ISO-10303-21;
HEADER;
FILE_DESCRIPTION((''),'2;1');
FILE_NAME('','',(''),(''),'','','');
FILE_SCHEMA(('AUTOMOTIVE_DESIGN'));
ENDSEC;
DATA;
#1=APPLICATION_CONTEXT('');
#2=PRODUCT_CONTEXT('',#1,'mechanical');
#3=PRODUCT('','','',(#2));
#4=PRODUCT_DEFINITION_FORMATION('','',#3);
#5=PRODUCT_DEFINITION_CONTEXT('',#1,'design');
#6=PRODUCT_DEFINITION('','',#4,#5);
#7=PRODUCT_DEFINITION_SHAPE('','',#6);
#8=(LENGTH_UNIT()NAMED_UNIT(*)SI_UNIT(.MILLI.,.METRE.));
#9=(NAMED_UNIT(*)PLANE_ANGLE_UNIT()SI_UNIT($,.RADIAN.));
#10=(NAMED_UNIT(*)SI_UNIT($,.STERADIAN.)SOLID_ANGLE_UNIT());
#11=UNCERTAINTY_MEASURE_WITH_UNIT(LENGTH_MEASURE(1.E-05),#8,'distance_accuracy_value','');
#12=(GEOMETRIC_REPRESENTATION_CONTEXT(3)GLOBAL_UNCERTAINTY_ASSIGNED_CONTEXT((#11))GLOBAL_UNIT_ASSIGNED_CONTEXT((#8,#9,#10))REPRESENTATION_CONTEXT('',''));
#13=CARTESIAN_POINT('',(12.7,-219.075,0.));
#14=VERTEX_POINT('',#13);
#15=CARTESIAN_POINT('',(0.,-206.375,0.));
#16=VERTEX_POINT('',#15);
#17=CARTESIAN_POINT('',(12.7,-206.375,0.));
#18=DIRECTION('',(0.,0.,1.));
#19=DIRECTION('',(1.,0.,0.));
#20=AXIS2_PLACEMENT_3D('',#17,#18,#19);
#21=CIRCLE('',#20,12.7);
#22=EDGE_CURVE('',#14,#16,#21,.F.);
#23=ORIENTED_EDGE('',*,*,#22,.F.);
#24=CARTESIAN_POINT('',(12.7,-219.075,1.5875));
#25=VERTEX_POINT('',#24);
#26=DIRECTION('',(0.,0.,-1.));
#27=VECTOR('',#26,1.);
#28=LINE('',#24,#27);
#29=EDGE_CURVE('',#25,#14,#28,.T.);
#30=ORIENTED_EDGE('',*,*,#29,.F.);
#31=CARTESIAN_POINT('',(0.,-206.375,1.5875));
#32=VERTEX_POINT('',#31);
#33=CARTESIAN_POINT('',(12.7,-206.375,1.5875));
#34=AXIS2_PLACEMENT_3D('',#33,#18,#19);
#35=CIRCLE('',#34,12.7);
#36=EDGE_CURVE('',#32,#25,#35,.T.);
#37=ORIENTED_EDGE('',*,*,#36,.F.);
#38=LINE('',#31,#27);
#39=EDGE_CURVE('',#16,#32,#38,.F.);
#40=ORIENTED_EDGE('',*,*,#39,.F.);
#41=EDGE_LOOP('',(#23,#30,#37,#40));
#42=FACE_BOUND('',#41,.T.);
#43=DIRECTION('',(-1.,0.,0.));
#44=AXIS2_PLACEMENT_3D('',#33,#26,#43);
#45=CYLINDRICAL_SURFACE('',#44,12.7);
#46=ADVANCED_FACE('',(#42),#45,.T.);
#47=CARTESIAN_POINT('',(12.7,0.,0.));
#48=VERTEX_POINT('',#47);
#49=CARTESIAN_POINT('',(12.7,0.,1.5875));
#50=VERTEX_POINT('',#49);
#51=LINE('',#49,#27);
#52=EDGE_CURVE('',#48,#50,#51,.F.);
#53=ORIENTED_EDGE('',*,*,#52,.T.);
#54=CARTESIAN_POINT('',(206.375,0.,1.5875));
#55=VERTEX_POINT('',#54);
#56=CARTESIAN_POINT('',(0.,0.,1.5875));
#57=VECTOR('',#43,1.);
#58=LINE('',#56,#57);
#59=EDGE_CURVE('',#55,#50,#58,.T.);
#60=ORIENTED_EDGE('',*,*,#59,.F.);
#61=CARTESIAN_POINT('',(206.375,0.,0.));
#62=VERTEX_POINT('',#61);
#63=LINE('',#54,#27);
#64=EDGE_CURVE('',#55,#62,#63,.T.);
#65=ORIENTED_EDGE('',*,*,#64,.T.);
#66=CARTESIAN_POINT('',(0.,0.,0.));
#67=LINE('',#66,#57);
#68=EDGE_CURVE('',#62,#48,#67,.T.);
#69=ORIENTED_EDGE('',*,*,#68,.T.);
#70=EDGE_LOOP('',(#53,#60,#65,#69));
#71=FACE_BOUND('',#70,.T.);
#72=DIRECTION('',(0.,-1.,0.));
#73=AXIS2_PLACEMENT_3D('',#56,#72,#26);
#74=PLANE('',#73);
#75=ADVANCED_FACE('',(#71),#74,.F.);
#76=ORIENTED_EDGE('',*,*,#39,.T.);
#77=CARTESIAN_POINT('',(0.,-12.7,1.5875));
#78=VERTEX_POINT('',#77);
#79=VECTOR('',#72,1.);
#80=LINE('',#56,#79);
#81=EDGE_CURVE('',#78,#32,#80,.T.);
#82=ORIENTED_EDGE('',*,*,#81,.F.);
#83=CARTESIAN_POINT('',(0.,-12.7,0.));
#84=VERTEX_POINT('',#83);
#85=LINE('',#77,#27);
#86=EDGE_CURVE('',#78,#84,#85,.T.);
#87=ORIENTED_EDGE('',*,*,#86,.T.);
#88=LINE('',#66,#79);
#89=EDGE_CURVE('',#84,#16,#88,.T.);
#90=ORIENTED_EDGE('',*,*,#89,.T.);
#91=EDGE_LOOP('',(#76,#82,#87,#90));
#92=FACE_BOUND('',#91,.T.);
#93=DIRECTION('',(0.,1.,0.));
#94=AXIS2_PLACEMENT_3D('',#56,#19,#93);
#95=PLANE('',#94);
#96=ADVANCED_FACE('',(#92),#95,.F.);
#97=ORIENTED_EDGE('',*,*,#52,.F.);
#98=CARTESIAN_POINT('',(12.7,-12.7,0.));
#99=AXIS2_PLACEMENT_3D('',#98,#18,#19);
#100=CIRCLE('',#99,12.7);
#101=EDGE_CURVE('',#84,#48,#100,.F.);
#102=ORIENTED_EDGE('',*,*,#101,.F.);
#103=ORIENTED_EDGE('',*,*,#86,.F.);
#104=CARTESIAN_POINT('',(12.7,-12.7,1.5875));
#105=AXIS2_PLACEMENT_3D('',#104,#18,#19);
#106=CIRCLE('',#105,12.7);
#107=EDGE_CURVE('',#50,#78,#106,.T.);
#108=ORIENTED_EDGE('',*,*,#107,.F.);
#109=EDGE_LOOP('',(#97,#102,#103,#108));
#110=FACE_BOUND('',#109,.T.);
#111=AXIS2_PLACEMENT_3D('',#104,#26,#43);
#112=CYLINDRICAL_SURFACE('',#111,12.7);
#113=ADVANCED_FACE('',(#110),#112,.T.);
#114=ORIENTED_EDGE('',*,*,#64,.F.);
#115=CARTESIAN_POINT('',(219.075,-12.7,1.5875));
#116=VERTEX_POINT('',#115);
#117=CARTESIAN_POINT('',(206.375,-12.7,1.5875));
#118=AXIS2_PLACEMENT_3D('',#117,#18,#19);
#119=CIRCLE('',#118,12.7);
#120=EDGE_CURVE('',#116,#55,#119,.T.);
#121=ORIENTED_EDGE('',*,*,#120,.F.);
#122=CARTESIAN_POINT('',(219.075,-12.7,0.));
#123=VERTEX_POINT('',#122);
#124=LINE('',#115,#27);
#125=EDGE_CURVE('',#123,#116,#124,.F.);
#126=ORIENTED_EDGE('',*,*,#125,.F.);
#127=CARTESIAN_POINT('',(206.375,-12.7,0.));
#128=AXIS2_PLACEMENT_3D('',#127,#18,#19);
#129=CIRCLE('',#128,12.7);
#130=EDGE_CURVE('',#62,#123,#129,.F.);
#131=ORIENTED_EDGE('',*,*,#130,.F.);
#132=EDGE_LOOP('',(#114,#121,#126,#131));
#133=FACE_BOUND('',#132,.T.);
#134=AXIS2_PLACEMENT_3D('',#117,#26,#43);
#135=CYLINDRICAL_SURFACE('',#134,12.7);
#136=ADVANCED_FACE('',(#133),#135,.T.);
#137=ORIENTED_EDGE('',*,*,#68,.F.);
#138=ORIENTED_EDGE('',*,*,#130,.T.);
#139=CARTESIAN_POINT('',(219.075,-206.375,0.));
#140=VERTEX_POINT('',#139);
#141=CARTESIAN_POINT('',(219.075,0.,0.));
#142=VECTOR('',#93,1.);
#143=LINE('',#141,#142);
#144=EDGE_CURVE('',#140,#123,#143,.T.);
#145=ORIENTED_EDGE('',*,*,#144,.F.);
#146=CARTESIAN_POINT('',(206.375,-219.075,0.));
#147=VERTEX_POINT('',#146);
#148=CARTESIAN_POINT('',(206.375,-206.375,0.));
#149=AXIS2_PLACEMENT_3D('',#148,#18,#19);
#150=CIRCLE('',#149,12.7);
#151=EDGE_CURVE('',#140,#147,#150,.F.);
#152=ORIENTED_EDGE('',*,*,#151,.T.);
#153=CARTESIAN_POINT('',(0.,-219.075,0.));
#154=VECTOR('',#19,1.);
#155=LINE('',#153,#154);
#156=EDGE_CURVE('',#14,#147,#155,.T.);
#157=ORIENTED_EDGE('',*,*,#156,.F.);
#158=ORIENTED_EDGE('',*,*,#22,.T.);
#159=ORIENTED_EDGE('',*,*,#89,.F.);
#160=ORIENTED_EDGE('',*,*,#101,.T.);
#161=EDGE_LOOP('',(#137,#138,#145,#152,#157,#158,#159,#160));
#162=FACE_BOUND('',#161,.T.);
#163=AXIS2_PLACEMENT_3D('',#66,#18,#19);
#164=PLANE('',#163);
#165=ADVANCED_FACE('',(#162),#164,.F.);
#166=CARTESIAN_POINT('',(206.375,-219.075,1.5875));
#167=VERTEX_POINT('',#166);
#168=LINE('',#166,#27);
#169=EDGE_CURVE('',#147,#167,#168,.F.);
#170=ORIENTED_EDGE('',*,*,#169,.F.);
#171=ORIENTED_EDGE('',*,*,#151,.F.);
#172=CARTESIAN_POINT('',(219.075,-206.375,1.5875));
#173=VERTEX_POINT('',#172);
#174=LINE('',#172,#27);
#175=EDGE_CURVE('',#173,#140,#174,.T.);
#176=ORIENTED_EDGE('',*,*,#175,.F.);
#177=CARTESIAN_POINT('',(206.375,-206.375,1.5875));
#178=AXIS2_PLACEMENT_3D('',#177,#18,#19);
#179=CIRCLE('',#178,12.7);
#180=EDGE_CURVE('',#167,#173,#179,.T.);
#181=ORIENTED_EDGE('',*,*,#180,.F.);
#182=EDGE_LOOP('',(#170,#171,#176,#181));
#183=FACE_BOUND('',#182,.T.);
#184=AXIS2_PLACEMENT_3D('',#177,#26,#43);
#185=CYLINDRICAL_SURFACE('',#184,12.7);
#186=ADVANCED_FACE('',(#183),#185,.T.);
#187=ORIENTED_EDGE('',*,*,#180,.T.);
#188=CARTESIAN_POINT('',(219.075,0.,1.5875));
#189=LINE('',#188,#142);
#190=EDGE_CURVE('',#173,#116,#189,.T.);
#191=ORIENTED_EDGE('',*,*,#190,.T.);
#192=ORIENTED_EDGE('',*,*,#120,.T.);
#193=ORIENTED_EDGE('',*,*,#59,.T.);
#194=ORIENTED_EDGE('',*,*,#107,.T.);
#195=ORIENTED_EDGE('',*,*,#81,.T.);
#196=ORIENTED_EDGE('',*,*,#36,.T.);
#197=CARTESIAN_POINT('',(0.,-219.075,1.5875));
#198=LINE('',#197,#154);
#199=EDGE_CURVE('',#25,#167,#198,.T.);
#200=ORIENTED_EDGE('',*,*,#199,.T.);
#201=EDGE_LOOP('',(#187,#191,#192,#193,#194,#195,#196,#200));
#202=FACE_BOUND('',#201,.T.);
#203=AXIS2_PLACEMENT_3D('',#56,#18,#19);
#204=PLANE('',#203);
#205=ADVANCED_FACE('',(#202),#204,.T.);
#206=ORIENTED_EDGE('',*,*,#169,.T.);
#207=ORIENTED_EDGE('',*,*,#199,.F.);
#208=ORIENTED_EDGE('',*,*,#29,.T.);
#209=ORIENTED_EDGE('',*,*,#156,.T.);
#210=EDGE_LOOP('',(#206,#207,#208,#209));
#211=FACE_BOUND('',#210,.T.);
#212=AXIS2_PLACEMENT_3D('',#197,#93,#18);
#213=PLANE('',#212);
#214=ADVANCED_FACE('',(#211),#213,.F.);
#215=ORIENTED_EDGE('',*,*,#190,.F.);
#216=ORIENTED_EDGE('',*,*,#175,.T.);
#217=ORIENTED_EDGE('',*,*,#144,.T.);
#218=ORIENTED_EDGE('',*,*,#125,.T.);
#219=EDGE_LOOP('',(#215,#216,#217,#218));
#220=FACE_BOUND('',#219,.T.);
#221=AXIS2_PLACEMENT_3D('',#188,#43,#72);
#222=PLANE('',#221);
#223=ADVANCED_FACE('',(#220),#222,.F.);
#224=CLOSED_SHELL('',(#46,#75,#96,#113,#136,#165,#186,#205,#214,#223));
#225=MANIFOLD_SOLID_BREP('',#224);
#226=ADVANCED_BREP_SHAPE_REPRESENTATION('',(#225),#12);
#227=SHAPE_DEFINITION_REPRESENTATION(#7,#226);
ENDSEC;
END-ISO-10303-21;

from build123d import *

# Parameters (mm, degrees)
SKETCH1_W           = 219.075
SKETCH1_H           = 219.075
BOSS_EXTRUDE1_DEPTH = 1.5875
FILLET13_R          = 12.7
FILLET14_R          = 12.7


with BuildPart() as part:
    # Sketch1 → Boss-Extrude1 (new body)
    with BuildSketch(Plane.XY):
        with Locations((109.5375, -109.5375)):
            Rectangle(SKETCH1_W, SKETCH1_H)
    extrude(amount=BOSS_EXTRUDE1_DEPTH)

    # Fillet13
    fillet13_edges = [part.edges().sort_by_distance(p)[0] for p in [
        (219.075, 0, 0.79375),
        (219.075, -219.075, 0.79375),
    ]]
    fillet(fillet13_edges, radius=FILLET13_R)

    # Fillet14
    fillet14_edges = [part.edges().sort_by_distance(p)[0] for p in [
        (0, 0, 0.79375),
        (0, -219.075, 0.79375),
    ]]
    fillet(fillet14_edges, radius=FILLET14_R)


solid = part.part
